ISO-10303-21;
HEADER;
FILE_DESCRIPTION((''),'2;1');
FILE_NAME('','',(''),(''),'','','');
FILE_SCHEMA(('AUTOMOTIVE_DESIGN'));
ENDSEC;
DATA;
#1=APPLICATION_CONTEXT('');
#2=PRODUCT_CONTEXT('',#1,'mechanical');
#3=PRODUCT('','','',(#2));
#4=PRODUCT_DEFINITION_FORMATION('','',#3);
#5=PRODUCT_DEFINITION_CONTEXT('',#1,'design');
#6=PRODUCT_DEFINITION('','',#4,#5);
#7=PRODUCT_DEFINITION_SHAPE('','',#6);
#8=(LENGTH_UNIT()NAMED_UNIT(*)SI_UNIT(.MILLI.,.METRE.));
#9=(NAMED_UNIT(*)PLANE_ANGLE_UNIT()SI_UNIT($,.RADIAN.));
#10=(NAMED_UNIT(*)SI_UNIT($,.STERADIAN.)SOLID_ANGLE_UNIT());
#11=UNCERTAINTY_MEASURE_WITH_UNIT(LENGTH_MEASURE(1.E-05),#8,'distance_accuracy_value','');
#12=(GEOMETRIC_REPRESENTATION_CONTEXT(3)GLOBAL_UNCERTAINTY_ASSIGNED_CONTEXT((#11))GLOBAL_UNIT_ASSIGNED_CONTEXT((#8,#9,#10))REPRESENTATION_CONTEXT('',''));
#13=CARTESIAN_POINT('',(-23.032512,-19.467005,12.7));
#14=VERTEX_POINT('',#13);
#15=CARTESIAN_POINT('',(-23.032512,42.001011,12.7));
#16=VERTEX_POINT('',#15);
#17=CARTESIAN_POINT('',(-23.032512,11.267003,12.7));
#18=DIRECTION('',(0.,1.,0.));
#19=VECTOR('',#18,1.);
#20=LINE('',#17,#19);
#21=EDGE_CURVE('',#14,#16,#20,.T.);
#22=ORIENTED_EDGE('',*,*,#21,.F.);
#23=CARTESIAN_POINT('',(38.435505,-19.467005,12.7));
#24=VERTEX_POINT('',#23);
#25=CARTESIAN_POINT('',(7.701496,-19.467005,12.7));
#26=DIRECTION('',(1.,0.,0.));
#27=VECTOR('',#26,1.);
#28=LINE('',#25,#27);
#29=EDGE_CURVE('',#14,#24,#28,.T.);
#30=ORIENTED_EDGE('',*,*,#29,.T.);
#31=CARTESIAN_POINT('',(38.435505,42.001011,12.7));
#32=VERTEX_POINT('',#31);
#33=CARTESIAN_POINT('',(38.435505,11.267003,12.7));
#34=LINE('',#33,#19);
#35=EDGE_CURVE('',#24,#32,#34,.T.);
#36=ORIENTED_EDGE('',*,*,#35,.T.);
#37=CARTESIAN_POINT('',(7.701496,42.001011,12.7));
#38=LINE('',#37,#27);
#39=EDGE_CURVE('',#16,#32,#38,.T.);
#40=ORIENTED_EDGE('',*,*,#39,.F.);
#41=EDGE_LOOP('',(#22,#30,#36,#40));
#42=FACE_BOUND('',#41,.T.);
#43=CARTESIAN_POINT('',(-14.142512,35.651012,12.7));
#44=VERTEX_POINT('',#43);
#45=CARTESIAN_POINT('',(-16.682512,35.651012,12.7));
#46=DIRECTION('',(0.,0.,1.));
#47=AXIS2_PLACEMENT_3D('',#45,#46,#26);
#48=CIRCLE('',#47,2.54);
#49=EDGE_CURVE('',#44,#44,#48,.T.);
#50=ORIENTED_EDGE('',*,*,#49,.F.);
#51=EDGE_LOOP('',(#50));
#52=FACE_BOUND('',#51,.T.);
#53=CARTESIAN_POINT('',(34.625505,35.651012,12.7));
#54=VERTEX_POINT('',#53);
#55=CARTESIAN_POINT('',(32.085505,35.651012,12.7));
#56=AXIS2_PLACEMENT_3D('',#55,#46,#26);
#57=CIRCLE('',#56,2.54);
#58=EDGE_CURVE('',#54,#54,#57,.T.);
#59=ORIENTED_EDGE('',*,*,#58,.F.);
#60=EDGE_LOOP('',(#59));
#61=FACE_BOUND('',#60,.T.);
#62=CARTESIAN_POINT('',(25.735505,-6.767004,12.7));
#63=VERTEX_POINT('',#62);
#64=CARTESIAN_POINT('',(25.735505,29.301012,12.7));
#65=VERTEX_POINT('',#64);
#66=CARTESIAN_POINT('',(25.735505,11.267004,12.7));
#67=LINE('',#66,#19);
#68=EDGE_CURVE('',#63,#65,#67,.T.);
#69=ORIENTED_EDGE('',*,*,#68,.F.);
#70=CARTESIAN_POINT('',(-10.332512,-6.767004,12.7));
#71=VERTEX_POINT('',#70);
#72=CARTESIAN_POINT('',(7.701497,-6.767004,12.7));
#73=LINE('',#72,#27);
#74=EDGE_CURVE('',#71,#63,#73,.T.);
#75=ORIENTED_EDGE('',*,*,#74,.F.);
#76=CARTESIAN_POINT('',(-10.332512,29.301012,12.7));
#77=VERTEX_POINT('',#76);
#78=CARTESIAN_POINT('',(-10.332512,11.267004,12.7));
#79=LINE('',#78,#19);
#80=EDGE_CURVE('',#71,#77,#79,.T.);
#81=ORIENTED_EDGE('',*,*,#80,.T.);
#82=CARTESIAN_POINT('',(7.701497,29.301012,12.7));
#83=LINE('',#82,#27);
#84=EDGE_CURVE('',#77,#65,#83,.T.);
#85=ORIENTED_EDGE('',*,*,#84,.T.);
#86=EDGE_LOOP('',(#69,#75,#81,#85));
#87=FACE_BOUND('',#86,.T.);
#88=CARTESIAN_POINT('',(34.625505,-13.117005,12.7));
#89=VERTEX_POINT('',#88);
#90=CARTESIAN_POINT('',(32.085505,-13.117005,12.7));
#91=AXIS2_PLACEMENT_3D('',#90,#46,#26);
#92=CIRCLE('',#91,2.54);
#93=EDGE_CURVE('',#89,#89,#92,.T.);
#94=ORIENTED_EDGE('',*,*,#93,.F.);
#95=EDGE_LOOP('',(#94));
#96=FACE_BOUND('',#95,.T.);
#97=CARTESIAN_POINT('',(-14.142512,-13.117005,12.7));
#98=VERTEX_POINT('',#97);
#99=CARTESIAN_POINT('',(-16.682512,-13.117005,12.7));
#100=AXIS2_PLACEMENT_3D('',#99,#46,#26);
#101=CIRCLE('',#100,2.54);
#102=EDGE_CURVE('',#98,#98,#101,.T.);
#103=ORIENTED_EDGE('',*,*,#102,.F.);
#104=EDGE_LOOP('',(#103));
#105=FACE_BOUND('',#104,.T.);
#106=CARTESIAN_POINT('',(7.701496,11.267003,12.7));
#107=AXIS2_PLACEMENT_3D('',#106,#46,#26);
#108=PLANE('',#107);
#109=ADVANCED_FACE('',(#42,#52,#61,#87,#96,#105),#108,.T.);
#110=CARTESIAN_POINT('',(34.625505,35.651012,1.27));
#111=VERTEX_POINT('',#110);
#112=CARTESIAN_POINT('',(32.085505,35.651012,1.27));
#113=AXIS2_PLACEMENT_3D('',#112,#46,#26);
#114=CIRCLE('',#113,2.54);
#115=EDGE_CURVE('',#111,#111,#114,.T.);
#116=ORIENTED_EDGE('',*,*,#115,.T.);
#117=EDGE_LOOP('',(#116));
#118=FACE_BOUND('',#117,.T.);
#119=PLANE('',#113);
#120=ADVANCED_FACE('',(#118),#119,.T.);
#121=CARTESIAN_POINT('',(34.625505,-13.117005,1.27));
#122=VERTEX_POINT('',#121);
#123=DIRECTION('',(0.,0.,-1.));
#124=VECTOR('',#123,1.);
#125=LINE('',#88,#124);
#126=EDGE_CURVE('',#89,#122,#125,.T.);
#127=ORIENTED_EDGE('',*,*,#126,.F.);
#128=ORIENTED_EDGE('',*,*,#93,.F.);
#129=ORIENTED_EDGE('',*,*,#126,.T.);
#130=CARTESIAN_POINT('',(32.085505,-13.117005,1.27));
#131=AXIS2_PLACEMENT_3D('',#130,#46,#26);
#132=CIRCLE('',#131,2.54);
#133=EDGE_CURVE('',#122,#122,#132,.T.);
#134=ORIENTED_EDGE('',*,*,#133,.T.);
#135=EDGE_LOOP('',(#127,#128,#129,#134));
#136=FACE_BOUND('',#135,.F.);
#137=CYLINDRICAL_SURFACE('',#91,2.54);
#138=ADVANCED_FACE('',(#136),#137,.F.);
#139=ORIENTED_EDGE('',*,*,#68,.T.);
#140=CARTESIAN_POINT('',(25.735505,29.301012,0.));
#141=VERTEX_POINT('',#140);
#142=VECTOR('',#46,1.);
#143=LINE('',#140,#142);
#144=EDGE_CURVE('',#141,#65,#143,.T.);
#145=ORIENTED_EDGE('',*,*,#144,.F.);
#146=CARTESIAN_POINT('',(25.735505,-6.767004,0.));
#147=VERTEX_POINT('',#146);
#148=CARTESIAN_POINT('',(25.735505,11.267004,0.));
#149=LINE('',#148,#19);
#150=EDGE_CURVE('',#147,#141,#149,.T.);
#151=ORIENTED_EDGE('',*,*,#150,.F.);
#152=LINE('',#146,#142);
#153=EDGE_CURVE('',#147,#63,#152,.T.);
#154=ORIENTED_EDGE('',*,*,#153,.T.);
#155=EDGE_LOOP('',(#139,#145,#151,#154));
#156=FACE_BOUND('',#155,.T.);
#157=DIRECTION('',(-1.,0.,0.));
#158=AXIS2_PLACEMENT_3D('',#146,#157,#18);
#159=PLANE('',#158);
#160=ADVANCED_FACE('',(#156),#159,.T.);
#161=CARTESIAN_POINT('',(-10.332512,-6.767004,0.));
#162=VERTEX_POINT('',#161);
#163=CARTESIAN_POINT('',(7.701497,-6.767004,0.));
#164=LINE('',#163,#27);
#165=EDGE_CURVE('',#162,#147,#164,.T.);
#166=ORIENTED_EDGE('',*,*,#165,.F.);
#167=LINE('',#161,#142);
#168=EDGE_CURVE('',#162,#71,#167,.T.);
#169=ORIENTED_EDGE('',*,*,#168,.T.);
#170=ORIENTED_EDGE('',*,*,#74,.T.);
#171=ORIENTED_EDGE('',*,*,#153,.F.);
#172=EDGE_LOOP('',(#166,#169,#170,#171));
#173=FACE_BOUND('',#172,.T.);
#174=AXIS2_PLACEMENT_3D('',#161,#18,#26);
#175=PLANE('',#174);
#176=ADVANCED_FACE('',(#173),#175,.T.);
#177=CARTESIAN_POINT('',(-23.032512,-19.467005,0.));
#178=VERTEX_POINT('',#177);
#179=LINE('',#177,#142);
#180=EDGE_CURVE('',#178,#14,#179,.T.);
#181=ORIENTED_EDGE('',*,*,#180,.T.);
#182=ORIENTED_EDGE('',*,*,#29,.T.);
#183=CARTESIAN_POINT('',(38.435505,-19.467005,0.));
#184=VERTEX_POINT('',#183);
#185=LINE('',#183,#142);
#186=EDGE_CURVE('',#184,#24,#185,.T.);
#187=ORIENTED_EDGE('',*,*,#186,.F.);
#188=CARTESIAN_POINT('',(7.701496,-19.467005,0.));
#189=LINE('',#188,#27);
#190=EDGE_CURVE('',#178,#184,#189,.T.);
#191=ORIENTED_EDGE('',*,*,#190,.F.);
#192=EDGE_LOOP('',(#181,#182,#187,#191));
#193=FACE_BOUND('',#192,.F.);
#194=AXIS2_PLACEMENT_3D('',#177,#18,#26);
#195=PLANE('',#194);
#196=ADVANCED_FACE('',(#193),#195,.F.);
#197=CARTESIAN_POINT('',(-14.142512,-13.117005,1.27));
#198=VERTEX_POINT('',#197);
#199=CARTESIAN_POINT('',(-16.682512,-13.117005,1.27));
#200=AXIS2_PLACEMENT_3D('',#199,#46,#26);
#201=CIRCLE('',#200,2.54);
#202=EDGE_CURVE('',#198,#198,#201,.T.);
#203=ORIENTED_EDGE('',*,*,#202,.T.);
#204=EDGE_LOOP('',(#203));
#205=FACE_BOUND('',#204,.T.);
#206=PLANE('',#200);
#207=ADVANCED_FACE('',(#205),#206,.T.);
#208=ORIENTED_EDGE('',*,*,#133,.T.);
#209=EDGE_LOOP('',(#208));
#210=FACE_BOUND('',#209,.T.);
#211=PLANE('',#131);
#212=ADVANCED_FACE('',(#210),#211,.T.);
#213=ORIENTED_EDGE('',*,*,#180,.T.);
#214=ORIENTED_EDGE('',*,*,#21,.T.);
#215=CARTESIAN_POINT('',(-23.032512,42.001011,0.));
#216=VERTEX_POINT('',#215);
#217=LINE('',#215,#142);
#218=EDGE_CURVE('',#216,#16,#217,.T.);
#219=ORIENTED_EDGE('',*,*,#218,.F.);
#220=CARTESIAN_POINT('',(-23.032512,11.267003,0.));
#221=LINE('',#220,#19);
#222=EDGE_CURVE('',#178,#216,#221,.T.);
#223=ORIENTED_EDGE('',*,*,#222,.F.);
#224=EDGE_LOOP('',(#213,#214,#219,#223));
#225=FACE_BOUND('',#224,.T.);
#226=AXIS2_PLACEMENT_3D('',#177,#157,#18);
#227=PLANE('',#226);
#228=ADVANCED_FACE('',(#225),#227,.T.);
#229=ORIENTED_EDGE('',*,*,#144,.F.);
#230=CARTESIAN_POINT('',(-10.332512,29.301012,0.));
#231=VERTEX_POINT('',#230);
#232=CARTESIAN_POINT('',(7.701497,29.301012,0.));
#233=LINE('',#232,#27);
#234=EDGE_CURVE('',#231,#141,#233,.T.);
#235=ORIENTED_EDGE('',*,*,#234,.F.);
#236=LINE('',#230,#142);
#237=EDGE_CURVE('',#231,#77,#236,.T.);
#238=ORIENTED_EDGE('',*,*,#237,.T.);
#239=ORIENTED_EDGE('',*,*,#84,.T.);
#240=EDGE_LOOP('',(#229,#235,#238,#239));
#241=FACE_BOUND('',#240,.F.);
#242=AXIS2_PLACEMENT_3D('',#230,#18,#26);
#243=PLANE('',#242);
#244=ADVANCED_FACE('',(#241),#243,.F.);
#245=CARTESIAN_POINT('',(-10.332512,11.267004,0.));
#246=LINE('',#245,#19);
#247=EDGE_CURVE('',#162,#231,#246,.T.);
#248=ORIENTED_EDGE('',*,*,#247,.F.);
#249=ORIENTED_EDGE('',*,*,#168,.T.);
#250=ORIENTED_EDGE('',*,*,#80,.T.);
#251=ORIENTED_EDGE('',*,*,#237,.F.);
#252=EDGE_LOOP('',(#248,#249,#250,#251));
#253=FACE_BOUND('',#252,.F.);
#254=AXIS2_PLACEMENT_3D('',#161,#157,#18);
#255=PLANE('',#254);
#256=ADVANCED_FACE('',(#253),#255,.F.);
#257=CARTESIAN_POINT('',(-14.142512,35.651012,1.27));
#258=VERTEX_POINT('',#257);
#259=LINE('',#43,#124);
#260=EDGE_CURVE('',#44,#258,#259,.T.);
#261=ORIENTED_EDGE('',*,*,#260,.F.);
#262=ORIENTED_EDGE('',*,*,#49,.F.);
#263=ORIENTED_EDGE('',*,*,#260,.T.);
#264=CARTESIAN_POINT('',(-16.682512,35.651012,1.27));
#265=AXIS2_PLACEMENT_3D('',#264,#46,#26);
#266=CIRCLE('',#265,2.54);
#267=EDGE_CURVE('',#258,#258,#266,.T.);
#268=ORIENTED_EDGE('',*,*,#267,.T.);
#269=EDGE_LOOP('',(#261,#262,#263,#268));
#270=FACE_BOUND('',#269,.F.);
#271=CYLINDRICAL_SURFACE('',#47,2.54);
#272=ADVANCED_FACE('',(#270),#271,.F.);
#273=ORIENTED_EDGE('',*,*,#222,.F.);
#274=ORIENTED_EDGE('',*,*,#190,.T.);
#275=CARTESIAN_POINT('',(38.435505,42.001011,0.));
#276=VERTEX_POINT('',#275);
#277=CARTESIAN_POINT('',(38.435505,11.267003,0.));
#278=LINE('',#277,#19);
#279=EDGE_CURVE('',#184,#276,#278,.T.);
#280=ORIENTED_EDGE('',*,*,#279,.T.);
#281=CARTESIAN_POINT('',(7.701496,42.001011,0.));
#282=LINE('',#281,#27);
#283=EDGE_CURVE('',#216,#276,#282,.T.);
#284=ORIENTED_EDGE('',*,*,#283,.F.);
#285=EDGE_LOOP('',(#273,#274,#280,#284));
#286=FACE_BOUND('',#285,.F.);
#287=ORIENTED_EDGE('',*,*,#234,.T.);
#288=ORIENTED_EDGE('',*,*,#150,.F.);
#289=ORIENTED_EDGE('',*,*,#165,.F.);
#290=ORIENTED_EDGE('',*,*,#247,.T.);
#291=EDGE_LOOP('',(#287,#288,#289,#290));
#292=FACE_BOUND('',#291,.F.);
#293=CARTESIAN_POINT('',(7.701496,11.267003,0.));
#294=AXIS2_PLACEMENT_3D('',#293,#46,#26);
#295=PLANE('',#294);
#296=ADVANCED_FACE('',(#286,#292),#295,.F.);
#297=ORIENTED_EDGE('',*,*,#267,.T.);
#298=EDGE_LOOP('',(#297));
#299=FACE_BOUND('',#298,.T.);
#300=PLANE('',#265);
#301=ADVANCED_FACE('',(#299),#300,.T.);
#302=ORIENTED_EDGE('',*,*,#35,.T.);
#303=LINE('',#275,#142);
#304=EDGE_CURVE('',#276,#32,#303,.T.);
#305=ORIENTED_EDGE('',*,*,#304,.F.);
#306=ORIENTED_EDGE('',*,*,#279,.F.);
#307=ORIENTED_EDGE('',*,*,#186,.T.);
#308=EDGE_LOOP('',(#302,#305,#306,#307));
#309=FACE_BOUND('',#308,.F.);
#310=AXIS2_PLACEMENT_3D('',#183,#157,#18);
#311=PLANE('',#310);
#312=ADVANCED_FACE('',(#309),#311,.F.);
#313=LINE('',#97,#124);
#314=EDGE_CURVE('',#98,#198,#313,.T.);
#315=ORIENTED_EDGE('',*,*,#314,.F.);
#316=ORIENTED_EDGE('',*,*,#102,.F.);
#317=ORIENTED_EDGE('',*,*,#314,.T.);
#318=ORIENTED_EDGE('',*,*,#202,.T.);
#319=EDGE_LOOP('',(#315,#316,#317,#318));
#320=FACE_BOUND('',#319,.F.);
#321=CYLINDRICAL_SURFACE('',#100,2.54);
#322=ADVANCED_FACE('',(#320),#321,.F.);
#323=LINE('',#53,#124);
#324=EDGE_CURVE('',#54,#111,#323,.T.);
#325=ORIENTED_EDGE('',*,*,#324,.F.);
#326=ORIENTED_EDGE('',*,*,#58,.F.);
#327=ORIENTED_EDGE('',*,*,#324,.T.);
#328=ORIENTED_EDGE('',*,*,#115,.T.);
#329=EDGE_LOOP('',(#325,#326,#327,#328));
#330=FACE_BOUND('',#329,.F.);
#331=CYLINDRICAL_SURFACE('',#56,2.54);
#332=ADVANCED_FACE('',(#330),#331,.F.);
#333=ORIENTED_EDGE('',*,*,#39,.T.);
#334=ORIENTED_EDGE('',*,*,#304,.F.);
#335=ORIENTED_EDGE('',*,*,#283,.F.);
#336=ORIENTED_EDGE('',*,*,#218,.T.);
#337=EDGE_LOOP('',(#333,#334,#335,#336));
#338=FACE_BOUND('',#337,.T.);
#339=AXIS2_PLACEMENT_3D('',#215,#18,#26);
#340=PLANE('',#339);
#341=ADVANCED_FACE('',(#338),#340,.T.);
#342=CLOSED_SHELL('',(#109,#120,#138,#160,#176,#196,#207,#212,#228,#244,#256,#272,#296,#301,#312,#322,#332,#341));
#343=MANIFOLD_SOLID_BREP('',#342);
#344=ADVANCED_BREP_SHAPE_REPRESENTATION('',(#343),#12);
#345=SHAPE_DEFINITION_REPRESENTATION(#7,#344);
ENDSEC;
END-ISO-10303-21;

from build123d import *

# Parameters (mm, degrees)
F0_W     = 61.468017
F0_H     = 61.468017
F0_W_2   = 36.068017
F0_H_2   = 36.068017
F1_DEPTH = 12.7
F2_R     = 2.54
F3_DEPTH = 11.43


with BuildPart() as f1:
    # F0 (on Top) → F1 (new body)
    with BuildSketch(Plane.XY):
        with Locations((7.701496, 11.267003)):
            Rectangle(F0_W, F0_H)
        with Locations((7.701497, 11.267004)):
            Rectangle(F0_W_2, F0_H_2, mode=Mode.SUBTRACT)
    extrude(amount=F1_DEPTH)

    # F2 (on face) → F3 (cut)
    with BuildSketch(Plane.XY.offset(12.7)):
        with Locations((-16.682512, 35.651012)):
            Circle(F2_R)
        with Locations((32.085505, 35.651012)):
            Circle(F2_R)
        with Locations((32.085505, -13.117005)):
            Circle(F2_R)
        with Locations((-16.682512, -13.117005)):
            Circle(F2_R)
    extrude(amount=-F3_DEPTH, mode=Mode.SUBTRACT)


solid = f1.part
